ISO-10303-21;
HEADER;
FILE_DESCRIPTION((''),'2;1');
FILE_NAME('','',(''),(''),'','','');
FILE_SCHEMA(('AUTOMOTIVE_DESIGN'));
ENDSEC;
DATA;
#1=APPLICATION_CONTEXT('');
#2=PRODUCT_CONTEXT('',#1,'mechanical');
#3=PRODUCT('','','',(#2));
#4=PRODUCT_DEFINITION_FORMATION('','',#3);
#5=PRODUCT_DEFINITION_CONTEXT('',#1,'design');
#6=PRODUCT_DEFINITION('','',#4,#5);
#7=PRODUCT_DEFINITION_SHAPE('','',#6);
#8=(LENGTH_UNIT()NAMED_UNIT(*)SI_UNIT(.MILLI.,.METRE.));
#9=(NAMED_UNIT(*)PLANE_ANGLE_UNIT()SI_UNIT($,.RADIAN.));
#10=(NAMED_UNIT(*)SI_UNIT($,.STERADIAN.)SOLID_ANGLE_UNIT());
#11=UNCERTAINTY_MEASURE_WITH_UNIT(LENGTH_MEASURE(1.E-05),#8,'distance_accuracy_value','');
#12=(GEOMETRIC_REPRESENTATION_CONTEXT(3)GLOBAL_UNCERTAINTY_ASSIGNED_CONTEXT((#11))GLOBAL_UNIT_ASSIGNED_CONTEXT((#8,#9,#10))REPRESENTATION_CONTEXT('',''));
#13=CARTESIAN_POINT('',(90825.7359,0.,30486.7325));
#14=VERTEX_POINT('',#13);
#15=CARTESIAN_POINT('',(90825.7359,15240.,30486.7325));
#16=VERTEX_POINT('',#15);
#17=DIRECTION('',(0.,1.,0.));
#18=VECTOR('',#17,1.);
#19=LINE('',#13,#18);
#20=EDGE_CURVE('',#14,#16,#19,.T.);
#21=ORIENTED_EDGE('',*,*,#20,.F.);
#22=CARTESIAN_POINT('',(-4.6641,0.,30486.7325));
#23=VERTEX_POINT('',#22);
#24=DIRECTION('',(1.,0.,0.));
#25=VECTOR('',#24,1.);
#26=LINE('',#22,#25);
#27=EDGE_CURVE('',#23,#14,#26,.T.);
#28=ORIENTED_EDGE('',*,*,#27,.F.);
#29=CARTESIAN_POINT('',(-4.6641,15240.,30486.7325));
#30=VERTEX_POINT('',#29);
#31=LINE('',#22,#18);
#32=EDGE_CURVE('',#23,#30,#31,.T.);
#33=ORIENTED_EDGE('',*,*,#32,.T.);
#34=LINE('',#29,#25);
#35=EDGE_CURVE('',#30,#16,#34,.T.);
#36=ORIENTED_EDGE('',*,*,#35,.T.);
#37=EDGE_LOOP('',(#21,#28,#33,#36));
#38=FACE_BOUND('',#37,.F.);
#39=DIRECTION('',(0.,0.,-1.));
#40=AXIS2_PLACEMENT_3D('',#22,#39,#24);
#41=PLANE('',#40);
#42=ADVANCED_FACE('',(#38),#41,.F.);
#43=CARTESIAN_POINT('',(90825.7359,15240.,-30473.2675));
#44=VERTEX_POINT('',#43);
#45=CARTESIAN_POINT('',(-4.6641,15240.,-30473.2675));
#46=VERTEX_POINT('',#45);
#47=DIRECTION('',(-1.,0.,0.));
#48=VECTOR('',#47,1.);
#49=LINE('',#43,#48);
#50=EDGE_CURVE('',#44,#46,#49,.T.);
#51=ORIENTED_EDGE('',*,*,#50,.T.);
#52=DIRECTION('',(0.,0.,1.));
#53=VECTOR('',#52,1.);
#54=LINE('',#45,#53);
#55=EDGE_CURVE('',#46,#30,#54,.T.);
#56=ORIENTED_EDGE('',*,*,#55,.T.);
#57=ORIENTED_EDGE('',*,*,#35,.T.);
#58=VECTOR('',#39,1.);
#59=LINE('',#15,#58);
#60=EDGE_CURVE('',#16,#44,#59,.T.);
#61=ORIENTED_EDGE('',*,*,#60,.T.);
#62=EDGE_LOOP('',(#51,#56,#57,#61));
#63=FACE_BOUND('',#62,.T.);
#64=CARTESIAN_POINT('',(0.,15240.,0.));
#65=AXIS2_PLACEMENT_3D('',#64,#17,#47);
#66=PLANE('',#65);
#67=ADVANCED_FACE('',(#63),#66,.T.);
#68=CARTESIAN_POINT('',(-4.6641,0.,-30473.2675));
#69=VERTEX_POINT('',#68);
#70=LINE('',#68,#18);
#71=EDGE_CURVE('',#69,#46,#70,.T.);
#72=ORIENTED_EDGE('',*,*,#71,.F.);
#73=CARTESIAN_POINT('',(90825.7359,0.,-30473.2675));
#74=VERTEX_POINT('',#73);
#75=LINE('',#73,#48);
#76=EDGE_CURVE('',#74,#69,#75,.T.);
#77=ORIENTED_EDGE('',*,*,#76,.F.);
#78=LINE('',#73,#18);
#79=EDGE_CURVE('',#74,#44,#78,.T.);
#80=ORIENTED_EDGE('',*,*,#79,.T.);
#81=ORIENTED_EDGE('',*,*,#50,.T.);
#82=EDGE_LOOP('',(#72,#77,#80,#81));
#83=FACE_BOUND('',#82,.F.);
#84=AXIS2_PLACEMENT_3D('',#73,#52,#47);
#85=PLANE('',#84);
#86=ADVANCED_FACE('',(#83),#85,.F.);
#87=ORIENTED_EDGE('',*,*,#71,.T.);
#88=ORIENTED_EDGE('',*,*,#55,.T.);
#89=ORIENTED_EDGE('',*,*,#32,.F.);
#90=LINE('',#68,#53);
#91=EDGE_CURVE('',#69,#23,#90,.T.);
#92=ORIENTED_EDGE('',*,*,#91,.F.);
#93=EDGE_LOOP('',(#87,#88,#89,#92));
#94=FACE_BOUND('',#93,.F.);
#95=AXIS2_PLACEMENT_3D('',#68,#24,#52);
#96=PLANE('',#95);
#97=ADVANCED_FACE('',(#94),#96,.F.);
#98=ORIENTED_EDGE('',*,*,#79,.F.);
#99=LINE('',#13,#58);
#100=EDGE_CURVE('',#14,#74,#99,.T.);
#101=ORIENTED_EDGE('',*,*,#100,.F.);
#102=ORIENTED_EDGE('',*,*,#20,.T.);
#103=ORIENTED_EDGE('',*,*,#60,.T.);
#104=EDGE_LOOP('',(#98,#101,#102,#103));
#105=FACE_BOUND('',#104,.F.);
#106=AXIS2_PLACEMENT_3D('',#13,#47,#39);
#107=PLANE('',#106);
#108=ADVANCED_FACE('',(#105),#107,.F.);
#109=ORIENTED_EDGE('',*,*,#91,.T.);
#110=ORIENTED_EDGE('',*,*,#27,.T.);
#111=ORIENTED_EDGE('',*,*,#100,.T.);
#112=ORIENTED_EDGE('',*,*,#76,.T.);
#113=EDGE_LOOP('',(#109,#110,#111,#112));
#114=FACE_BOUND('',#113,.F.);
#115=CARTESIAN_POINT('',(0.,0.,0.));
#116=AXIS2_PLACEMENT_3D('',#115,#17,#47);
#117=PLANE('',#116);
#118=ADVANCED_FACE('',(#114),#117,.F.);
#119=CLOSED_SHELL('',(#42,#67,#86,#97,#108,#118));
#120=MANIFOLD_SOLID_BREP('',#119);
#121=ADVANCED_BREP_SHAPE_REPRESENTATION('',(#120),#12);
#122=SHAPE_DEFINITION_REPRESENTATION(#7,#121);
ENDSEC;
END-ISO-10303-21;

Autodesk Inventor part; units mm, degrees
ref_plane "YZ Plane" through (0, 0, 0) normal (1, 0, 0) x (0, 1, 0)
ref_plane "XZ Plane" through (0, 0, 0) normal (0, 1, 0) x (-1, 0, 0)
ref_plane "XY Plane" through (0, 0, 0) normal (0, 0, 1) x (1, 0, 0)
sketch "Sketch2" plane through (0, 0, 0) normal (0, 1, 0) x (-1, 0, 0)
  line L0 (4.6641, 30486.7325) -> (-90825.7359, 30486.7325)
  line L1 (-90825.7359, 30486.7325) -> (-90825.7359, -30473.2675)
  line L2 (-90825.7359, -30473.2675) -> (4.6641, -30473.2675)
  line L3 (4.6641, -30473.2675) -> (4.6641, 30486.7325)
  point P0 (0, 0)
  dimension "d2" = 90830.4
  dimension "d3" = 60960
extrude "Extrusion1" add sketch "Sketch2" along normal blind 15240
